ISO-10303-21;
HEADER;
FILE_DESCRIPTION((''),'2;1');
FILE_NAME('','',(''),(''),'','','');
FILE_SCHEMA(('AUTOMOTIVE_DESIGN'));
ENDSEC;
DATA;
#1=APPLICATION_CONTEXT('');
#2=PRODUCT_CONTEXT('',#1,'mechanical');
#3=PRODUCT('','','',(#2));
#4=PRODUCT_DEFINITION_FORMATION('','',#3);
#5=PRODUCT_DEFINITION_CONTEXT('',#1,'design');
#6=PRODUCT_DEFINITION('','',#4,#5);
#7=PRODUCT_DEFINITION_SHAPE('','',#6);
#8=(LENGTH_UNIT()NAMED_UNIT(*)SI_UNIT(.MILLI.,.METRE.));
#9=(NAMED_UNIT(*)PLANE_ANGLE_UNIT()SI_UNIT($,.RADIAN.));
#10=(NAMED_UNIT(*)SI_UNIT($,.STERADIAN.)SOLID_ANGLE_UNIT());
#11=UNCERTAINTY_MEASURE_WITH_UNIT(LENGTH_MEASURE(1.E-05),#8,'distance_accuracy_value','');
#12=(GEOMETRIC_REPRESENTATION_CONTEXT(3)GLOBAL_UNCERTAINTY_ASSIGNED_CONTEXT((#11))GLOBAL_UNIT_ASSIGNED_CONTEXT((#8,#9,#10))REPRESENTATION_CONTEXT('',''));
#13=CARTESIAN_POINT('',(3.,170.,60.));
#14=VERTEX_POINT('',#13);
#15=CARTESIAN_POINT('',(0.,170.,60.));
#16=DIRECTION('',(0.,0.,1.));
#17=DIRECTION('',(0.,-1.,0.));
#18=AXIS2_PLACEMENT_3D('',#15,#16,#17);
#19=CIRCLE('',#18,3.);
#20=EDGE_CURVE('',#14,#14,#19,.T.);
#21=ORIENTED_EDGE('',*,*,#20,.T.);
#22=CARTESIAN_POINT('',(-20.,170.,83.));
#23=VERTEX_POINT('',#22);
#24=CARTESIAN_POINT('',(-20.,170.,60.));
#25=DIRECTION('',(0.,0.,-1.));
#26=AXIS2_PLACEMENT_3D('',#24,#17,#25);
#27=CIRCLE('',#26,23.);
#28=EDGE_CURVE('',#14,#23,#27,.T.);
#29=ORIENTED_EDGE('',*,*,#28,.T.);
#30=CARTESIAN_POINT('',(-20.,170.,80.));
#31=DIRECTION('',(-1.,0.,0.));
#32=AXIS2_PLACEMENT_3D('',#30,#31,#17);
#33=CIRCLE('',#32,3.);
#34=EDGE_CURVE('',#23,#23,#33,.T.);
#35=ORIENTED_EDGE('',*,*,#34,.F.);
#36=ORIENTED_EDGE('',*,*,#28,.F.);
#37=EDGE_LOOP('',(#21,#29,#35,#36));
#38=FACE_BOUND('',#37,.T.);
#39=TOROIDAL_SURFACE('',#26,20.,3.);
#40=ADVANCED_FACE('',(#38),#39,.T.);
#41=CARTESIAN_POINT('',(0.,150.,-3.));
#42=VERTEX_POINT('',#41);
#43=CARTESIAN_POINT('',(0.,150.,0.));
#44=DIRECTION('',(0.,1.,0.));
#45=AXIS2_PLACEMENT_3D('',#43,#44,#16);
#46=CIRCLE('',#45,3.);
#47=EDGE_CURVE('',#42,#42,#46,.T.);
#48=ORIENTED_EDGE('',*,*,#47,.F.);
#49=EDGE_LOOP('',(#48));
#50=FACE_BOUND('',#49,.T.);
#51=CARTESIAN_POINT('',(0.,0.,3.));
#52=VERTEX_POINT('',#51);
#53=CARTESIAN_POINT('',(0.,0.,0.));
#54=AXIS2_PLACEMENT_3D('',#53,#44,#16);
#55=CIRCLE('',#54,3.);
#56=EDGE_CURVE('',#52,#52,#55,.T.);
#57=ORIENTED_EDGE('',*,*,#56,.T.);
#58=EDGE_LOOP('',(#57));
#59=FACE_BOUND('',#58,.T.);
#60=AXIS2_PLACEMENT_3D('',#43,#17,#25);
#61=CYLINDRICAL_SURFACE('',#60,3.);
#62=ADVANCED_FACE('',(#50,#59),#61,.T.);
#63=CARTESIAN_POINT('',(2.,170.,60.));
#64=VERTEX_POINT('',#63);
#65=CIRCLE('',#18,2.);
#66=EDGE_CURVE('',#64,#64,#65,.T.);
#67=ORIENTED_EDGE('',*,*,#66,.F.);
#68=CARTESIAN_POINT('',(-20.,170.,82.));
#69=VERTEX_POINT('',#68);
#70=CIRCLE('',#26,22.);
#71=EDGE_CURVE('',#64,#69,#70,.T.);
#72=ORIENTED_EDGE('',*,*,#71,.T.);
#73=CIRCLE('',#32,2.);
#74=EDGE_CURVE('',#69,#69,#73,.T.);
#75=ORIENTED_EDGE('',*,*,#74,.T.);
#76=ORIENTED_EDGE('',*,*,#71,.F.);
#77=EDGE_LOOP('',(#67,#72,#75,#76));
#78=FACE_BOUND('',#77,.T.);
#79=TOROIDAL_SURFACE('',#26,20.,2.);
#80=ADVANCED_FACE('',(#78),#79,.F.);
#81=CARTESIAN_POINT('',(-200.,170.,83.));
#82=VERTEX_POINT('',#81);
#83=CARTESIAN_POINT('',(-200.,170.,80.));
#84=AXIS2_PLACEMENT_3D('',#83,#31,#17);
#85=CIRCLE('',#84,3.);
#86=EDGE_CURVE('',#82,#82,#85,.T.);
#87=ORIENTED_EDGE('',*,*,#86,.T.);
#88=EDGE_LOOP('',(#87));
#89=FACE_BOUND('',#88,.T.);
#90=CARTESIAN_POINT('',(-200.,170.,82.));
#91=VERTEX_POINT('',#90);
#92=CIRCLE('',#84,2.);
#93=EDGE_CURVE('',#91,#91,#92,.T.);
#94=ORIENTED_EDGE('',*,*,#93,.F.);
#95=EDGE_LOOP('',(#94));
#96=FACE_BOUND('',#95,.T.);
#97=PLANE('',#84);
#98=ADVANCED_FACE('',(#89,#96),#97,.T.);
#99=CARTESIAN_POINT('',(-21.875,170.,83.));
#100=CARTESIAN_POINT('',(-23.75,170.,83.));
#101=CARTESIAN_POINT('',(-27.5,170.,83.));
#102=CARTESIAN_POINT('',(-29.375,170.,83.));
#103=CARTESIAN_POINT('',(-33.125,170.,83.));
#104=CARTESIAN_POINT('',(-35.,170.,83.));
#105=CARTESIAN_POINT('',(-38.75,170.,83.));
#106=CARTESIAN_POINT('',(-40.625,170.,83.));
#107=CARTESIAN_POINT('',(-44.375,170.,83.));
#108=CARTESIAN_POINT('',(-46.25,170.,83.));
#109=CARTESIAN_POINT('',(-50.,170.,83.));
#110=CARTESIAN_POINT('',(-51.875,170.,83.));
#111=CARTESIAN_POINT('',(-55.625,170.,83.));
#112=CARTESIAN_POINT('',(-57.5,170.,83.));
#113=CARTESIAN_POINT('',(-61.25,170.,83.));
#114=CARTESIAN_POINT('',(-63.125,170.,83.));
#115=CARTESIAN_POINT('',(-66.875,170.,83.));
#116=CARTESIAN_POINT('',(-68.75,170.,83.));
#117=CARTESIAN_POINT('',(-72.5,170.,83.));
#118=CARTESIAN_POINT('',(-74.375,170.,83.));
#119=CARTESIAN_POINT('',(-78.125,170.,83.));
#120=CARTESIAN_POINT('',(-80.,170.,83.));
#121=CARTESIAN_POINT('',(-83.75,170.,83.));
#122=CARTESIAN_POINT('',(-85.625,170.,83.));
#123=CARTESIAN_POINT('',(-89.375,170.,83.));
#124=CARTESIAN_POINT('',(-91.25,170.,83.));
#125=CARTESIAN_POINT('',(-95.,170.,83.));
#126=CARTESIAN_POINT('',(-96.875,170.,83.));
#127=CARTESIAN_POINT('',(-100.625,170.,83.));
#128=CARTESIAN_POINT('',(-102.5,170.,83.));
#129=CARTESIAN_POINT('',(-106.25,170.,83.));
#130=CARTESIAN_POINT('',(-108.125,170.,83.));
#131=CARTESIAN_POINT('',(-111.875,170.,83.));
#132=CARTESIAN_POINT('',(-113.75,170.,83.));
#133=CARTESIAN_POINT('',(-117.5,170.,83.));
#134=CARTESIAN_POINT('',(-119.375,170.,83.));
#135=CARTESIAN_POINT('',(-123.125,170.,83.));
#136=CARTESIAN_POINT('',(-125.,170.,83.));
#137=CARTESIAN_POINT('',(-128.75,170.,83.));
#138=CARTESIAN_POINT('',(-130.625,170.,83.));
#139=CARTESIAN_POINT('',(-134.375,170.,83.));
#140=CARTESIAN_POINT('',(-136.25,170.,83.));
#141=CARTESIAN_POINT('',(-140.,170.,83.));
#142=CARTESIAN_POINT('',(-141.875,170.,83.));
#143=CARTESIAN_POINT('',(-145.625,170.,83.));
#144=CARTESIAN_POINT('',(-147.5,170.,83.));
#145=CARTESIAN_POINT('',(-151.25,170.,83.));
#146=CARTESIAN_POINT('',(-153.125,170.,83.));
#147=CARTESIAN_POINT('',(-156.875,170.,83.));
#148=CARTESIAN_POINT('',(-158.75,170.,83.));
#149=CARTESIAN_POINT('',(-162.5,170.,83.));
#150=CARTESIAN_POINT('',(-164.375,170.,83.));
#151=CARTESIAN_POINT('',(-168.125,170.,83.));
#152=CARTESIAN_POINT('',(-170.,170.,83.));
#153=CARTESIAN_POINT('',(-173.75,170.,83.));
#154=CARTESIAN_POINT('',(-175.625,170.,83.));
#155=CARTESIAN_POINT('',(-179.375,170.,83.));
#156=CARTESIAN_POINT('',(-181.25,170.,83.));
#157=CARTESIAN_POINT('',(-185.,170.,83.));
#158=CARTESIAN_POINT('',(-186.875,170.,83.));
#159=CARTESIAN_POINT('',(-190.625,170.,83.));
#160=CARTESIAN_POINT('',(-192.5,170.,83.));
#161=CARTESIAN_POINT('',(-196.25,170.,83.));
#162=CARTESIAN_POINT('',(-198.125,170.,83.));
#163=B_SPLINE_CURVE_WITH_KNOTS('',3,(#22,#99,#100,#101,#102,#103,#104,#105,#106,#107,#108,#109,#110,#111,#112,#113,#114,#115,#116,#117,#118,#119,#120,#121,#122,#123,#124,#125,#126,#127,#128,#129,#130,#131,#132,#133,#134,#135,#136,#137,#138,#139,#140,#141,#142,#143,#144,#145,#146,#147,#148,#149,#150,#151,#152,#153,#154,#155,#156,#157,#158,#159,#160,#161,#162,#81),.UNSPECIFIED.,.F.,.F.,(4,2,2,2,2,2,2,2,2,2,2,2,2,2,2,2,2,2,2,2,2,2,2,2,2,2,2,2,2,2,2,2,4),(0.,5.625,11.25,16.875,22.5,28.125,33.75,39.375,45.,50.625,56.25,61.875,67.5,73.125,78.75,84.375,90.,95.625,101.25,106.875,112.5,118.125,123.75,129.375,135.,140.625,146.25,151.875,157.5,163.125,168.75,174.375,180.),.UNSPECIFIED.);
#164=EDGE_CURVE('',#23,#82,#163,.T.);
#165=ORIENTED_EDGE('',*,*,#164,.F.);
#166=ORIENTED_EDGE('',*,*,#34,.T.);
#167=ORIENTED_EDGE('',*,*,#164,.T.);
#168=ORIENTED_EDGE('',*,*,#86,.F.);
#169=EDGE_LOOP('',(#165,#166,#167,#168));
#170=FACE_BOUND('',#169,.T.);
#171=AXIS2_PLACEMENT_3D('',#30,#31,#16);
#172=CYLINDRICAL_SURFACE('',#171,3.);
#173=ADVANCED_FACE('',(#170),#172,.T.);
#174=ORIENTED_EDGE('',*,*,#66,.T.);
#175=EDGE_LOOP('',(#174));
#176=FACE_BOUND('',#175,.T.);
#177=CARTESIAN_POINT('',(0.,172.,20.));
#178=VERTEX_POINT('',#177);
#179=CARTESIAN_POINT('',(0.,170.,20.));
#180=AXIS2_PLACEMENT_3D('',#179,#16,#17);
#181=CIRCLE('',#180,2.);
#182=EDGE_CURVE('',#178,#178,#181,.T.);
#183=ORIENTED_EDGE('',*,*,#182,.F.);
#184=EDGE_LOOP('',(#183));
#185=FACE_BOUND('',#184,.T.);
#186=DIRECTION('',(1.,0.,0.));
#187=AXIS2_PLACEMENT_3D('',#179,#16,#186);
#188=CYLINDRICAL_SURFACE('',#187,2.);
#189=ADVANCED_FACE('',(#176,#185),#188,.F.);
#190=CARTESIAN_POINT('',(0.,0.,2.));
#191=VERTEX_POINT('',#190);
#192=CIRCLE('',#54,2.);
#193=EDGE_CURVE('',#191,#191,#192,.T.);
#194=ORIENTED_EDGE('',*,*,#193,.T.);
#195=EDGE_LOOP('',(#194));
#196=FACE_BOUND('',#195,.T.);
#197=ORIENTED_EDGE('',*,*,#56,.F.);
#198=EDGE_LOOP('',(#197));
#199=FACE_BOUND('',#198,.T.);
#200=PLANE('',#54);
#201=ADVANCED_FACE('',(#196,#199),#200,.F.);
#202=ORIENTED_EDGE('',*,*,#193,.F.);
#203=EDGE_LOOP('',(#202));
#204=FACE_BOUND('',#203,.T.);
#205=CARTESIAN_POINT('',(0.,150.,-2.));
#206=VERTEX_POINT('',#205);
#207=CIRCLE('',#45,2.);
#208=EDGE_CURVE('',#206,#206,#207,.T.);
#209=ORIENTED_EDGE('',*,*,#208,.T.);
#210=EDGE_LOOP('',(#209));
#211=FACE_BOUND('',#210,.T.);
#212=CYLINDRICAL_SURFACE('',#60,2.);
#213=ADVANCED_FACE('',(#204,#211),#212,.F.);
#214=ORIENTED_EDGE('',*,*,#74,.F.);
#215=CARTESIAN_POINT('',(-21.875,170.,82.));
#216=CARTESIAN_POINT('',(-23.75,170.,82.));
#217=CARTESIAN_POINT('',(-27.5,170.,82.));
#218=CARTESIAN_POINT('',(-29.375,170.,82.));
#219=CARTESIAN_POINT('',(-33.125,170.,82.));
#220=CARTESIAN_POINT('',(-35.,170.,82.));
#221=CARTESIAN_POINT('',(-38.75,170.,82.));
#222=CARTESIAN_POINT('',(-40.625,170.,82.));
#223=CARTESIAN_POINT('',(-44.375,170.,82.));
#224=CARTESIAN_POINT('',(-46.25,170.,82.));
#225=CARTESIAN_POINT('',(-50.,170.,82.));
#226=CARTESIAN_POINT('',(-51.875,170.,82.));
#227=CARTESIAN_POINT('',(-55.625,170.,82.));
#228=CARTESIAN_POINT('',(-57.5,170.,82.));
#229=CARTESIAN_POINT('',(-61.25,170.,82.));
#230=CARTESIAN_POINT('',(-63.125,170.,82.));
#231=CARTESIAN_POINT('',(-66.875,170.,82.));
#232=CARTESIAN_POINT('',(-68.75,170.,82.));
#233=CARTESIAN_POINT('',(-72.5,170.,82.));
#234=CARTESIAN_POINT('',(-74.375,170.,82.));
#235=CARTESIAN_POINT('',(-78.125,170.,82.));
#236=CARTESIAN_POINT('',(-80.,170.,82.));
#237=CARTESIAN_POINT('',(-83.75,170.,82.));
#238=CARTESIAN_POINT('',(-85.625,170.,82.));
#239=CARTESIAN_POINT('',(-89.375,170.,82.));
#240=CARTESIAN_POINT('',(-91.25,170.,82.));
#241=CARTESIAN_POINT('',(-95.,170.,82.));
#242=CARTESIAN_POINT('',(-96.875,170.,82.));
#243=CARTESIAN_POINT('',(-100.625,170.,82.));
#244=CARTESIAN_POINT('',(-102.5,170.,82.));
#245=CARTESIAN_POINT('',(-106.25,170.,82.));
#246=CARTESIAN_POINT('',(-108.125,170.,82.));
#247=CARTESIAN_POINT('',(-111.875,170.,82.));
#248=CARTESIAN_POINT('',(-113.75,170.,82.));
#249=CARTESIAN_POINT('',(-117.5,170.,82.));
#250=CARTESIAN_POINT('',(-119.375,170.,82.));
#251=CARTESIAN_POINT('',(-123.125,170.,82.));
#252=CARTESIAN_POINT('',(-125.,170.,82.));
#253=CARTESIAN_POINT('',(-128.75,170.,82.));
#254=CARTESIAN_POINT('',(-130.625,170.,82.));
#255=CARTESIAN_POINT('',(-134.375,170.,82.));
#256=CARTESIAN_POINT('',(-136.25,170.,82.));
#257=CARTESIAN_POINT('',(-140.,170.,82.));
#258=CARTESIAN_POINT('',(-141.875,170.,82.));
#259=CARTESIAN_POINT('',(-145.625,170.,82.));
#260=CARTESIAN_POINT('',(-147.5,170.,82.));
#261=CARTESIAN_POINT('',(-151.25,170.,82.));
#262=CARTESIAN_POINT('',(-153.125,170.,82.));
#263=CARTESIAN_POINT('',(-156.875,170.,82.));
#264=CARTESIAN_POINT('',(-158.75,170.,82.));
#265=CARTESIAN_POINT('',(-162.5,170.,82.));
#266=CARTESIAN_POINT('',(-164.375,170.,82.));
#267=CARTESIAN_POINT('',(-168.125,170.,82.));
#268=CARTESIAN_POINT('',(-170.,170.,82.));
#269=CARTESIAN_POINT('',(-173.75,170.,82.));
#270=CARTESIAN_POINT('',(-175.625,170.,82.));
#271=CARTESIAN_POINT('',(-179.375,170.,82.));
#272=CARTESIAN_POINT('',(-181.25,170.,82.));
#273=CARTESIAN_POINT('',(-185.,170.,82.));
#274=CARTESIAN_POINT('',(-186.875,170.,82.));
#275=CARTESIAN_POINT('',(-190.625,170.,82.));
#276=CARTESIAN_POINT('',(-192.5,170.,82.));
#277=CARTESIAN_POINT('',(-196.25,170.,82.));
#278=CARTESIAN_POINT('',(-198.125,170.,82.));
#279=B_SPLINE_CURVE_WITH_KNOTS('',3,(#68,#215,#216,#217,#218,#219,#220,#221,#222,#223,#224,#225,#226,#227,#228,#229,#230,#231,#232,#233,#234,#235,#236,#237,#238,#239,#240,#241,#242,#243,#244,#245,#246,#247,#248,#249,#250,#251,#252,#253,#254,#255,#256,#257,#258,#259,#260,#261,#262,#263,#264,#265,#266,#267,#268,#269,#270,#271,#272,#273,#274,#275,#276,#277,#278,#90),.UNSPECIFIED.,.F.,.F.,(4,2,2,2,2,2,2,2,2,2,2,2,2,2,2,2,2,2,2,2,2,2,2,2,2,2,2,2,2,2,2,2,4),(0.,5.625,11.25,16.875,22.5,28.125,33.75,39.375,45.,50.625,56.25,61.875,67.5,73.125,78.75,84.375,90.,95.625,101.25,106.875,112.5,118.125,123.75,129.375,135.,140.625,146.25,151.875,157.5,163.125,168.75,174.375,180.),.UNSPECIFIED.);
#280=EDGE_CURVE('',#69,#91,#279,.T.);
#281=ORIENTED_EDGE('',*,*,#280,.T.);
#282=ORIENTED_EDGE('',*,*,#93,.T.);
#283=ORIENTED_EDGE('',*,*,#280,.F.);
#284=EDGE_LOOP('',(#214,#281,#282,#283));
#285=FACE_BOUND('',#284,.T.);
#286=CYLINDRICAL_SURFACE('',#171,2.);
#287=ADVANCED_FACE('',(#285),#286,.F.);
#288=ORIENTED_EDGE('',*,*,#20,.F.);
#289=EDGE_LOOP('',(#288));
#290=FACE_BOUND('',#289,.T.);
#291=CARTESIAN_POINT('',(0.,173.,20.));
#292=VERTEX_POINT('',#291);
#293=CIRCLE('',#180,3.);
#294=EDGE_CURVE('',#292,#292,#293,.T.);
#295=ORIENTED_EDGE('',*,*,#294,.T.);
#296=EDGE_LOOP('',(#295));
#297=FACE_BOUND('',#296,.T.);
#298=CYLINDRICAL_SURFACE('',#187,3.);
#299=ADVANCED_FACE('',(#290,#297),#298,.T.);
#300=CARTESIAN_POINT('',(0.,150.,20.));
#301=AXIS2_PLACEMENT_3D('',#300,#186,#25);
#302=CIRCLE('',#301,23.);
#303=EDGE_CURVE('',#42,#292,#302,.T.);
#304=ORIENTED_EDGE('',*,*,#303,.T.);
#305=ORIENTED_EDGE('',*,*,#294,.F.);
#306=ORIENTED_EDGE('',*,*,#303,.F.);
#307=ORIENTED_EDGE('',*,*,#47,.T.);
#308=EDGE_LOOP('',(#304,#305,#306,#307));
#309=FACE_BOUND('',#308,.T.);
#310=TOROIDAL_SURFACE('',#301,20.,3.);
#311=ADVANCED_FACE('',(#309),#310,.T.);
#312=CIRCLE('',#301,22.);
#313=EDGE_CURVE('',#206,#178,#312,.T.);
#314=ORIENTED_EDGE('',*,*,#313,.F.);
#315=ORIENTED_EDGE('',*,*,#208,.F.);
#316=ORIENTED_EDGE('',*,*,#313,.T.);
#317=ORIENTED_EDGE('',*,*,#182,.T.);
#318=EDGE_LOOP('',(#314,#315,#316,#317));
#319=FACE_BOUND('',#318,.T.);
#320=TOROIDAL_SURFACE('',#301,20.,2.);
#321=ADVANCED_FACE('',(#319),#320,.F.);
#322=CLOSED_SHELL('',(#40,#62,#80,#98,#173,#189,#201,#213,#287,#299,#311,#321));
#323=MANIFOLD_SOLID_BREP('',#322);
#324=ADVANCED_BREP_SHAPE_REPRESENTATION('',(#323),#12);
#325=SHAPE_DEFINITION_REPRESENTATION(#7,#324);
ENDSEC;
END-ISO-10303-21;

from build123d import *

# Parameters (mm, degrees)
ESQUISSE2_R   = 3
ESQUISSE2_R_2 = 2


with BuildPart() as part:
    # Balayage1: sweep along a curve in space
    with BuildLine() as balayage1_path:
        Line((0, 0, 0), (0, 150, 0))
        ThreePointArc((0, 150, 0), (0, 164.142135624, 5.857864376), (0, 170, 20))
        Line((0, 170, 20), (0, 170, 60))
        ThreePointArc((0, 170, 60), (-5.857864376, 170, 74.142135624), (-20, 170, 80))
        Line((-20, 170, 80), (-200, 170, 80))
    # Esquisse2 → Balayage1 (sweep)
    with BuildSketch(Plane(origin=(0, 0, 0), x_dir=(1, 0, 0), z_dir=(0, 1, 0))):
        Circle(ESQUISSE2_R)
        Circle(ESQUISSE2_R_2, mode=Mode.SUBTRACT)
    sweep(path=balayage1_path.line)


solid = part.part
